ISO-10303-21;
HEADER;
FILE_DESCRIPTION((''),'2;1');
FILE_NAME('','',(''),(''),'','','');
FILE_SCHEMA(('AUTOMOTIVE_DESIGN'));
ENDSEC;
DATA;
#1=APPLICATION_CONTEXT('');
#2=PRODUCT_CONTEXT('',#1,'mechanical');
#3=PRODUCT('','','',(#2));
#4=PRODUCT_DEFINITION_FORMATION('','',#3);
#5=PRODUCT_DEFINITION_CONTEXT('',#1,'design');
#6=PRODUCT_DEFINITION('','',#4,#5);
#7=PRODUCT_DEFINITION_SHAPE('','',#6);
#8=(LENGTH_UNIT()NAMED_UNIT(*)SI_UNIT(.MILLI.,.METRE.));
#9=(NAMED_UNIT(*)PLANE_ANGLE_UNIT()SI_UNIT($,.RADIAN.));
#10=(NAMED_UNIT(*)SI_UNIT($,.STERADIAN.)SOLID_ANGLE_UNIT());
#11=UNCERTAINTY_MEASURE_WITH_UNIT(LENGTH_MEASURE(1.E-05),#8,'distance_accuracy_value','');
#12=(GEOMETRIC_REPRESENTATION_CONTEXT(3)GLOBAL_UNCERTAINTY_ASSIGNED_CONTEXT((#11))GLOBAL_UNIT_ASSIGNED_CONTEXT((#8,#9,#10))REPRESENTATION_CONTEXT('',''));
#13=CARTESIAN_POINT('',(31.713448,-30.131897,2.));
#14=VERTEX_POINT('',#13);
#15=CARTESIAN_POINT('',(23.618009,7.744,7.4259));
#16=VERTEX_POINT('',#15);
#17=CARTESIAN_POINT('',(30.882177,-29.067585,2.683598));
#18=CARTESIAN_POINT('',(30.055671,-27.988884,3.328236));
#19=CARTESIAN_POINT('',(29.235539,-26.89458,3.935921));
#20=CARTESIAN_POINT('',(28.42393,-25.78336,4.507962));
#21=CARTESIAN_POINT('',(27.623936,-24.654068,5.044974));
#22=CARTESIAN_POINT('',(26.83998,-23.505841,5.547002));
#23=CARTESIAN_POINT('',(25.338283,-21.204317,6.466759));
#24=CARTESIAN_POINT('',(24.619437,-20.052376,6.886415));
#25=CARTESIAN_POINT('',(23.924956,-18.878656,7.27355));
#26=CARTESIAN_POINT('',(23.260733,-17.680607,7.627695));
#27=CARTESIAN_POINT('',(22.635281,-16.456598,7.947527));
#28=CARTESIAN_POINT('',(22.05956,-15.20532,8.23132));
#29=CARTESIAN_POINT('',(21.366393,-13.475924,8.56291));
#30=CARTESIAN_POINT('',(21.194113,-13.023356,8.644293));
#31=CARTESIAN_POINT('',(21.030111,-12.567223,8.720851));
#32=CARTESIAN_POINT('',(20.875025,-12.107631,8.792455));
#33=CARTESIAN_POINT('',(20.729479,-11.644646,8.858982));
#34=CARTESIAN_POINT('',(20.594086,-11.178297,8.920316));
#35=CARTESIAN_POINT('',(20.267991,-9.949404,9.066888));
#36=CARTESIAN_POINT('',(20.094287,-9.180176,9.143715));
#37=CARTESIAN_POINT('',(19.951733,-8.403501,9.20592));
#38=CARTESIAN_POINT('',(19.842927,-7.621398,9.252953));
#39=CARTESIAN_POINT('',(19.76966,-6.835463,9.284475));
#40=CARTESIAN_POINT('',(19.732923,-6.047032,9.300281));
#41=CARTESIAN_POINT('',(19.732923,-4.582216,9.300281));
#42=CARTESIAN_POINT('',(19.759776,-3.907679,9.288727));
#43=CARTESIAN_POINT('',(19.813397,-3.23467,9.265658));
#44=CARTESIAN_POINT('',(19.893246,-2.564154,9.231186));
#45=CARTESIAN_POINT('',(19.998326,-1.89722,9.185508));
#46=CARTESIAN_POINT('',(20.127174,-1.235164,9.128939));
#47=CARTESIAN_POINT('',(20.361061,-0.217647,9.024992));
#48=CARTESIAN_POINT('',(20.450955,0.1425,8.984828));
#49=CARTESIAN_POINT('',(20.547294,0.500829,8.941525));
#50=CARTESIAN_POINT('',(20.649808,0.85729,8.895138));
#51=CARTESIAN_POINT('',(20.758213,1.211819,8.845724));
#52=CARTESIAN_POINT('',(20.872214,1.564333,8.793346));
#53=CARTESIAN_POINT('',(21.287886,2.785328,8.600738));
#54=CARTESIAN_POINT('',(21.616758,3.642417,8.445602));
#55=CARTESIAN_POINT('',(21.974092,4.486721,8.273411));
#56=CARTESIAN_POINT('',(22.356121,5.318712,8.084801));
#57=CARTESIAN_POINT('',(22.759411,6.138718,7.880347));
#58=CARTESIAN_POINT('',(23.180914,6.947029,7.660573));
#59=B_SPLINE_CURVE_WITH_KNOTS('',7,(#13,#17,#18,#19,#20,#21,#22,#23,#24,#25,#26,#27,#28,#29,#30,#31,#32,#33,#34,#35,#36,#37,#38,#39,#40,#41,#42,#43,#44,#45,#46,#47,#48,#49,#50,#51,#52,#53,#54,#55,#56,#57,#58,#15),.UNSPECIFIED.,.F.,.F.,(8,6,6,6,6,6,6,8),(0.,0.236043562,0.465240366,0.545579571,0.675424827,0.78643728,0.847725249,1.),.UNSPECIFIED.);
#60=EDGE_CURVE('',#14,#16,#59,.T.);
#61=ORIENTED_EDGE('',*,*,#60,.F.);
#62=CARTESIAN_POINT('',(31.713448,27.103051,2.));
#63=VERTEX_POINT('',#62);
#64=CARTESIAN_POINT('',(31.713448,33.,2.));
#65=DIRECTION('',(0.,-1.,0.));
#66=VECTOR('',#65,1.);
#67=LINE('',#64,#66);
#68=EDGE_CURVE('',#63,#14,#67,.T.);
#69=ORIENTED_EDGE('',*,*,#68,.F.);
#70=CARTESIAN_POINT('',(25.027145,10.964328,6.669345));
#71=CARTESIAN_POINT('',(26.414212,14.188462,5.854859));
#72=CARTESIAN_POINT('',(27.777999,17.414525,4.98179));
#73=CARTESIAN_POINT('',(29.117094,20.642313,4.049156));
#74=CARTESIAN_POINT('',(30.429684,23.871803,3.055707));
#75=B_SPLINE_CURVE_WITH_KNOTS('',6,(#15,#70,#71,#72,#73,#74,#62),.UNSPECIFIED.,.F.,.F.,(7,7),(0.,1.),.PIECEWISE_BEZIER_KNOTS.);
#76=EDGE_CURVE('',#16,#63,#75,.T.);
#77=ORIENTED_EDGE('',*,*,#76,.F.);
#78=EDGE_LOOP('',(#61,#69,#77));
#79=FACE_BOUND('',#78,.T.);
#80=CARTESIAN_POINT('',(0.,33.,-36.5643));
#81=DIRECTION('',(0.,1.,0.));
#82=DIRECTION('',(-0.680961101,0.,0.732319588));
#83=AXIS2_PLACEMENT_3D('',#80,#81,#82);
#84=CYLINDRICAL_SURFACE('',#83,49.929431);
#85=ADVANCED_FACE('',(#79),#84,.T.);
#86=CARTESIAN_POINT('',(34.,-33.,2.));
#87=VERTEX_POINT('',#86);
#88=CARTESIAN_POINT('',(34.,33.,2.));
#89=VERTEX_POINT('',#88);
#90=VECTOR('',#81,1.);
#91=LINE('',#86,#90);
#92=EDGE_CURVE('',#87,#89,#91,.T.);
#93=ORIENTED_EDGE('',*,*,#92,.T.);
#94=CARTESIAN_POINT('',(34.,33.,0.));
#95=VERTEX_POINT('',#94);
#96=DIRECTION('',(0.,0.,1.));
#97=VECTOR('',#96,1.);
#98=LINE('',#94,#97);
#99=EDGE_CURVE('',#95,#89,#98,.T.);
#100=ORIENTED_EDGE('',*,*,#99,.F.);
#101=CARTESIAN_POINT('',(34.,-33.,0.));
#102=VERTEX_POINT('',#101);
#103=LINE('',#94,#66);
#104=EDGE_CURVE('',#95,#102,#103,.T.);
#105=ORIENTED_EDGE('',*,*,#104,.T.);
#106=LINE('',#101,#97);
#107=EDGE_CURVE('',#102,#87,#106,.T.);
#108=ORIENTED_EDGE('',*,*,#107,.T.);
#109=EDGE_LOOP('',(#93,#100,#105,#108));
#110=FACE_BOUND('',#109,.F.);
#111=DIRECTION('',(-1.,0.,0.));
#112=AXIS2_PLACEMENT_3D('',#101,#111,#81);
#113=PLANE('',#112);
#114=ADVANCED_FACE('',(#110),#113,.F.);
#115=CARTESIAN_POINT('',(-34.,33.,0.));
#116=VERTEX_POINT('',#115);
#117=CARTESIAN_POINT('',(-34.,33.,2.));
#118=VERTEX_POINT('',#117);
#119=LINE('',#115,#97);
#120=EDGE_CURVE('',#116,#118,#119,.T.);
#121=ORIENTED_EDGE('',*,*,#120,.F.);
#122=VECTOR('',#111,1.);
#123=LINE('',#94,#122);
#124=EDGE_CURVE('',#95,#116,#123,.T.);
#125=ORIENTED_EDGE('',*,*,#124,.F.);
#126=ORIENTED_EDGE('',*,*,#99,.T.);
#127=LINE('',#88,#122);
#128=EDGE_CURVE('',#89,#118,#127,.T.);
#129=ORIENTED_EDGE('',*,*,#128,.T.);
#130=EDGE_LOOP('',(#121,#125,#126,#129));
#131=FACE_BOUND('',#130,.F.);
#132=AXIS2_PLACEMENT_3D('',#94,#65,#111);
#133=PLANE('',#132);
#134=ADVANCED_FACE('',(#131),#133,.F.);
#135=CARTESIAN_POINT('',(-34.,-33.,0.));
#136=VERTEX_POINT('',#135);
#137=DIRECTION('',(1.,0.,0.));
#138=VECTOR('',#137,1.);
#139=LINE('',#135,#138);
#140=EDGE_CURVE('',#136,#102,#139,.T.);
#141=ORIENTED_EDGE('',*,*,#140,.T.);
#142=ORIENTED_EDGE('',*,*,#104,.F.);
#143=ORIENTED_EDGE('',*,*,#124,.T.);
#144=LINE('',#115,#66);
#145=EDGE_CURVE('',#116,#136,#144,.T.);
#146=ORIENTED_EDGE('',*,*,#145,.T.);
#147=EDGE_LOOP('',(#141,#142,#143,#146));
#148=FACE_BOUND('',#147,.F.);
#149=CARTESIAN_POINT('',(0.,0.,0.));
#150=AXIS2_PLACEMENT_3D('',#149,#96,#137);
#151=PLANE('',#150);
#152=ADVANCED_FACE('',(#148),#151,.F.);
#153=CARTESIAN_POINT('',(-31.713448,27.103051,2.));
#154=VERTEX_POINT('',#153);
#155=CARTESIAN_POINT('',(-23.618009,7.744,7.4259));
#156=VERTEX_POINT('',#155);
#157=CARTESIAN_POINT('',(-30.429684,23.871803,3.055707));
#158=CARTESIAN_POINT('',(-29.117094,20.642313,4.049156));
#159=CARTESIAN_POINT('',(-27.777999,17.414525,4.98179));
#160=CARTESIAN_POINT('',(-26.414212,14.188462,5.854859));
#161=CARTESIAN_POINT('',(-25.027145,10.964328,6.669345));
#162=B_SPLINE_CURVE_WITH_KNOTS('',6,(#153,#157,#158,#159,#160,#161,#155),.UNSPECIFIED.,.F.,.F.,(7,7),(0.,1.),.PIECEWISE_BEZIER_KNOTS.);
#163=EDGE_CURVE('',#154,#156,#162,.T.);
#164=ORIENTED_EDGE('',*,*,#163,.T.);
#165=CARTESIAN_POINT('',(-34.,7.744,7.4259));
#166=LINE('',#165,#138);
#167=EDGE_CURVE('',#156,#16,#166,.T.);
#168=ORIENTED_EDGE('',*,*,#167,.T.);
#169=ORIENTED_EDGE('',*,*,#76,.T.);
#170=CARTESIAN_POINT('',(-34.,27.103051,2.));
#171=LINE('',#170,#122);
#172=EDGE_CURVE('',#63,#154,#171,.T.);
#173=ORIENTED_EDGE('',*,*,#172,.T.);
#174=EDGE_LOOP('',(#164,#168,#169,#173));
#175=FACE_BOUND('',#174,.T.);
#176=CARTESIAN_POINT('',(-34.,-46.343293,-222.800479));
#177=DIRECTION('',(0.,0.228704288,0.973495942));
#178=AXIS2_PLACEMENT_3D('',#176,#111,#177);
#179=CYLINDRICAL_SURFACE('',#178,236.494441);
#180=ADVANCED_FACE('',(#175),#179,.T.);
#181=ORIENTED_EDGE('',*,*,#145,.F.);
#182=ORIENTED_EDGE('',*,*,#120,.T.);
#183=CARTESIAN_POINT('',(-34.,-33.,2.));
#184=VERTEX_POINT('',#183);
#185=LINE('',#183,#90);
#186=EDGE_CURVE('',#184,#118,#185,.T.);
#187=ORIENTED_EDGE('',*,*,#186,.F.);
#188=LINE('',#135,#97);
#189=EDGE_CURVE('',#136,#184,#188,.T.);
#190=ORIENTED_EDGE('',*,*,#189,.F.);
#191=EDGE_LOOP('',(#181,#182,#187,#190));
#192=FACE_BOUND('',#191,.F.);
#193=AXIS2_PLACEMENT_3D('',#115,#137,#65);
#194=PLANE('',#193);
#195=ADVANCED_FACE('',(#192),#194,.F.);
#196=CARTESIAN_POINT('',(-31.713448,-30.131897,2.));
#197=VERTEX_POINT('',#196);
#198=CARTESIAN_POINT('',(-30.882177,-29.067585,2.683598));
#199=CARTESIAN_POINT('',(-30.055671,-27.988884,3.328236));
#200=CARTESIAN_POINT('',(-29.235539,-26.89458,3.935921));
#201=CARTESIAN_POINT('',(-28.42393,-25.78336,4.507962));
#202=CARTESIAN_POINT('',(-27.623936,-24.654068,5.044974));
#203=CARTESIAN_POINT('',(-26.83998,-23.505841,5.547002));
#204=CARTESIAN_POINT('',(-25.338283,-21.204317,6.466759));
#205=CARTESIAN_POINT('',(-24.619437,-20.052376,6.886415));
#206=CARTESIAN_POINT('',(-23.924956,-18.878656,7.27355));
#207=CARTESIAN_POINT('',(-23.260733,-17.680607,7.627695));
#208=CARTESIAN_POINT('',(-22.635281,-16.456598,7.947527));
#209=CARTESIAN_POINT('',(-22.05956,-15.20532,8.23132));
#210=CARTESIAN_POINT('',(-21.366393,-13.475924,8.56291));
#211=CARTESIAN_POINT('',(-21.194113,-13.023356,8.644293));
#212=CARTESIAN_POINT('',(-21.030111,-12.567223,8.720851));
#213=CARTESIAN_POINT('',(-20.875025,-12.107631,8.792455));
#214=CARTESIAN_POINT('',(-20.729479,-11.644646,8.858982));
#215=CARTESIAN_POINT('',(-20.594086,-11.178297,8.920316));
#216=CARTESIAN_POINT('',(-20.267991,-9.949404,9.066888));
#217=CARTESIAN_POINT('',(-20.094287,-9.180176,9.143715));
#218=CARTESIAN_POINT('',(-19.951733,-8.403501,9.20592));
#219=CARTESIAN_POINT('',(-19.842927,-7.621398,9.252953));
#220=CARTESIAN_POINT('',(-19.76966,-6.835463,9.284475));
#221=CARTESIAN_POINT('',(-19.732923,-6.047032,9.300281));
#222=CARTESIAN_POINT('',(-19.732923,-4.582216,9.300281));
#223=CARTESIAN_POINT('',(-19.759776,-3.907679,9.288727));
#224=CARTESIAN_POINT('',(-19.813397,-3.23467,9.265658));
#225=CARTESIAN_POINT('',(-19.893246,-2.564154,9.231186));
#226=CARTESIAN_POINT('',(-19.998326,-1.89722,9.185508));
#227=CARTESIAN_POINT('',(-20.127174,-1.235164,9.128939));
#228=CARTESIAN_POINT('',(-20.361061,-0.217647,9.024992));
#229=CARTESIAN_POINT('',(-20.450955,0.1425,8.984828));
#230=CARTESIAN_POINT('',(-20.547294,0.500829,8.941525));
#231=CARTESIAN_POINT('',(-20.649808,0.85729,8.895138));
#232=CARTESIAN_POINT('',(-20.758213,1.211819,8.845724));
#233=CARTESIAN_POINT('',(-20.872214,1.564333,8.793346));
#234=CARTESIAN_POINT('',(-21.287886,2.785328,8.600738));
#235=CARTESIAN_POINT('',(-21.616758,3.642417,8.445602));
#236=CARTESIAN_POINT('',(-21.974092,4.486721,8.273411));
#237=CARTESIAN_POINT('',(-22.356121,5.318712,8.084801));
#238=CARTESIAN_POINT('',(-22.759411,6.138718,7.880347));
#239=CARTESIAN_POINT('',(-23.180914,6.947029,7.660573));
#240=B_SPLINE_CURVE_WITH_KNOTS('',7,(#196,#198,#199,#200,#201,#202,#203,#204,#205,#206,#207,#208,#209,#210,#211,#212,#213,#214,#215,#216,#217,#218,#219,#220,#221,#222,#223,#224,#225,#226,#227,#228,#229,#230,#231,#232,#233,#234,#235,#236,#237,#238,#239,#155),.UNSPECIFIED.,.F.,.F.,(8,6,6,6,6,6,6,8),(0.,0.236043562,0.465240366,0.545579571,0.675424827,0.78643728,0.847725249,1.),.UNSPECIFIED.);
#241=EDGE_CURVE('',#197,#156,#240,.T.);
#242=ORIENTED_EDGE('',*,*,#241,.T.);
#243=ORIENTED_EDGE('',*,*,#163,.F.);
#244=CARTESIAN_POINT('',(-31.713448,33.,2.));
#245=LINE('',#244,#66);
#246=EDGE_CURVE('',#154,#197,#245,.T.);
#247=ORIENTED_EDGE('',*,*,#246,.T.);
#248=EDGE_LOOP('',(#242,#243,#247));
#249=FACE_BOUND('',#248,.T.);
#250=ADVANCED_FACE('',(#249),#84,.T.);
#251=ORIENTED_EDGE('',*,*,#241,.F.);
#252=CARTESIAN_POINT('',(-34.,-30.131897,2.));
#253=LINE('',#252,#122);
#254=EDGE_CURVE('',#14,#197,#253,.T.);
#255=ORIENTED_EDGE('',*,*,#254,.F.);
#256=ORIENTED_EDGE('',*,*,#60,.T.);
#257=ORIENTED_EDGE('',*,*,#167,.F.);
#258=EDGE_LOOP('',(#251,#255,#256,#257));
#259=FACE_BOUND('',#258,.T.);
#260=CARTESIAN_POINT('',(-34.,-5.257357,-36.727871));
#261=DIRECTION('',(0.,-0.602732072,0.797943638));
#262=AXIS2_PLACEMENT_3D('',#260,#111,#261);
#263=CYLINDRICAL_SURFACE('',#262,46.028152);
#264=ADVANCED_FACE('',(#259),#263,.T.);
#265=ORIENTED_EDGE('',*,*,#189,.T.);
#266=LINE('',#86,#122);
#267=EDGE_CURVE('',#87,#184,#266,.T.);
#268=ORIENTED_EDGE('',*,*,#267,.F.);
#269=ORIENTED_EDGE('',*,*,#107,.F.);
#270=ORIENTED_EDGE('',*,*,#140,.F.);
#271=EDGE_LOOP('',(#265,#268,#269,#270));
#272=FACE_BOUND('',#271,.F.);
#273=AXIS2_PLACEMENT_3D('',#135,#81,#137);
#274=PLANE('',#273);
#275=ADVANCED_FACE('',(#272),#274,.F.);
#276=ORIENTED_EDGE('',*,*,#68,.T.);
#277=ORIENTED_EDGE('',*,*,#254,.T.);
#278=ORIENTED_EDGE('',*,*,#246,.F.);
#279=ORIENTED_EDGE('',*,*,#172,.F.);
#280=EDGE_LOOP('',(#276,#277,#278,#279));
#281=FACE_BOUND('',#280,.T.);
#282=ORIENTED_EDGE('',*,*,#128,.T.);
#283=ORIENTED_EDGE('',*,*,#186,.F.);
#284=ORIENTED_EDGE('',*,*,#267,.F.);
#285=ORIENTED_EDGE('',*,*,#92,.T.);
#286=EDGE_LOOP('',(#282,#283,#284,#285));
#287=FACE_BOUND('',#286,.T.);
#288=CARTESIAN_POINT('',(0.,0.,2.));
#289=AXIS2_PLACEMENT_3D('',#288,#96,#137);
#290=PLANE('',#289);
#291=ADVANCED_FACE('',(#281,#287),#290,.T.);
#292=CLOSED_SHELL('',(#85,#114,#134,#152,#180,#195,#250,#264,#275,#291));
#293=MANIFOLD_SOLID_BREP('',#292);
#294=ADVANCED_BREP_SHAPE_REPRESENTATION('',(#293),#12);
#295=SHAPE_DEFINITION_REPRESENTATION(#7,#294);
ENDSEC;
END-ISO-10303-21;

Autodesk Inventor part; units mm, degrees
ref_plane "YZ Plane" through (0, 0, 0) normal (1, 0, 0) x (0, 1, 0)
ref_plane "XZ Plane" through (0, 0, 0) normal (0, 1, 0) x (-1, 0, 0)
ref_plane "XY Plane" through (0, 0, 0) normal (0, 0, 1) x (1, 0, 0)
sketch "Sketch1" plane through (0, 0, 0) normal (0, 0, 1) x (1, 0, 0)
  line L0 (-34, -33) -> (34, -33)
  line L1 (34, -33) -> (34, 33)
  line L2 (34, 33) -> (-34, 33)
  line L3 (-34, 33) -> (-34, -33)
  line L4 (-34, -33) -> (34, 33) construction
  line L5 (34, -33) -> (-34, 33) construction
  point P0 (0, 0)
  dimension "d0" = 68
  dimension "d1" = 66
extrude "Extrusion1" add sketch "Sketch1" along normal blind 2
sketch "Sketch2" plane through (-34, -33, 0) normal (-1, 0, 0) x (0, 0, 1)
  line L0 (0, 0) -> (0, 66) construction
  line L1 (0, 66) -> (0, 0)
  line L2 (0, 65.9635) -> (0, 0)
  arc A0 (7.4259, 40.744) -> (0, 65.9635) centre (-222.7937, -13.3415) ccw
  arc A1 (0, 0) -> (7.4259, 40.744) centre (-36.728, 27.7427) ccw
  point P0 (0, 33)
extrude "Extrusion2" add sketch "Sketch2" against normal blind 68
sketch "Sketch3" plane through (-34, 33, 0) normal (0, 1, 0) x (1, 0, 0)
  line L0 (0, 0) -> (68, 0) projected
  line L1 (0, -10.0891) -> (68, -10.0891) projected
  line L2 (68, 0) -> (0, 0)
  line L3 (0, -2) -> (68, -2) projected
  line L4 (68, -2) -> (0, -2)
  line L5 (0, -2) -> (0, 0)
  line L6 (0, 0) -> (68, 0)
  line L7 (68, 0) -> (68, -2)
  arc A0 (0, 0) -> (68, 0) centre (34, 36.5643) ccw
  point P0 (34, 0)
  point P1 (51.788, -10.0891)
  point P2 (65.7135, -2)
  point P3 (2.2865, -2)
  point P4 (16.212, -10.0891)
extrude "Extrusion3" cut sketch "Sketch3" against normal blind 68 contours A0 L3 L5 | L0 A0 L3 | L7 L3 A0 | L3 A0 L1 keep common part
properties part number "Obudowa"
